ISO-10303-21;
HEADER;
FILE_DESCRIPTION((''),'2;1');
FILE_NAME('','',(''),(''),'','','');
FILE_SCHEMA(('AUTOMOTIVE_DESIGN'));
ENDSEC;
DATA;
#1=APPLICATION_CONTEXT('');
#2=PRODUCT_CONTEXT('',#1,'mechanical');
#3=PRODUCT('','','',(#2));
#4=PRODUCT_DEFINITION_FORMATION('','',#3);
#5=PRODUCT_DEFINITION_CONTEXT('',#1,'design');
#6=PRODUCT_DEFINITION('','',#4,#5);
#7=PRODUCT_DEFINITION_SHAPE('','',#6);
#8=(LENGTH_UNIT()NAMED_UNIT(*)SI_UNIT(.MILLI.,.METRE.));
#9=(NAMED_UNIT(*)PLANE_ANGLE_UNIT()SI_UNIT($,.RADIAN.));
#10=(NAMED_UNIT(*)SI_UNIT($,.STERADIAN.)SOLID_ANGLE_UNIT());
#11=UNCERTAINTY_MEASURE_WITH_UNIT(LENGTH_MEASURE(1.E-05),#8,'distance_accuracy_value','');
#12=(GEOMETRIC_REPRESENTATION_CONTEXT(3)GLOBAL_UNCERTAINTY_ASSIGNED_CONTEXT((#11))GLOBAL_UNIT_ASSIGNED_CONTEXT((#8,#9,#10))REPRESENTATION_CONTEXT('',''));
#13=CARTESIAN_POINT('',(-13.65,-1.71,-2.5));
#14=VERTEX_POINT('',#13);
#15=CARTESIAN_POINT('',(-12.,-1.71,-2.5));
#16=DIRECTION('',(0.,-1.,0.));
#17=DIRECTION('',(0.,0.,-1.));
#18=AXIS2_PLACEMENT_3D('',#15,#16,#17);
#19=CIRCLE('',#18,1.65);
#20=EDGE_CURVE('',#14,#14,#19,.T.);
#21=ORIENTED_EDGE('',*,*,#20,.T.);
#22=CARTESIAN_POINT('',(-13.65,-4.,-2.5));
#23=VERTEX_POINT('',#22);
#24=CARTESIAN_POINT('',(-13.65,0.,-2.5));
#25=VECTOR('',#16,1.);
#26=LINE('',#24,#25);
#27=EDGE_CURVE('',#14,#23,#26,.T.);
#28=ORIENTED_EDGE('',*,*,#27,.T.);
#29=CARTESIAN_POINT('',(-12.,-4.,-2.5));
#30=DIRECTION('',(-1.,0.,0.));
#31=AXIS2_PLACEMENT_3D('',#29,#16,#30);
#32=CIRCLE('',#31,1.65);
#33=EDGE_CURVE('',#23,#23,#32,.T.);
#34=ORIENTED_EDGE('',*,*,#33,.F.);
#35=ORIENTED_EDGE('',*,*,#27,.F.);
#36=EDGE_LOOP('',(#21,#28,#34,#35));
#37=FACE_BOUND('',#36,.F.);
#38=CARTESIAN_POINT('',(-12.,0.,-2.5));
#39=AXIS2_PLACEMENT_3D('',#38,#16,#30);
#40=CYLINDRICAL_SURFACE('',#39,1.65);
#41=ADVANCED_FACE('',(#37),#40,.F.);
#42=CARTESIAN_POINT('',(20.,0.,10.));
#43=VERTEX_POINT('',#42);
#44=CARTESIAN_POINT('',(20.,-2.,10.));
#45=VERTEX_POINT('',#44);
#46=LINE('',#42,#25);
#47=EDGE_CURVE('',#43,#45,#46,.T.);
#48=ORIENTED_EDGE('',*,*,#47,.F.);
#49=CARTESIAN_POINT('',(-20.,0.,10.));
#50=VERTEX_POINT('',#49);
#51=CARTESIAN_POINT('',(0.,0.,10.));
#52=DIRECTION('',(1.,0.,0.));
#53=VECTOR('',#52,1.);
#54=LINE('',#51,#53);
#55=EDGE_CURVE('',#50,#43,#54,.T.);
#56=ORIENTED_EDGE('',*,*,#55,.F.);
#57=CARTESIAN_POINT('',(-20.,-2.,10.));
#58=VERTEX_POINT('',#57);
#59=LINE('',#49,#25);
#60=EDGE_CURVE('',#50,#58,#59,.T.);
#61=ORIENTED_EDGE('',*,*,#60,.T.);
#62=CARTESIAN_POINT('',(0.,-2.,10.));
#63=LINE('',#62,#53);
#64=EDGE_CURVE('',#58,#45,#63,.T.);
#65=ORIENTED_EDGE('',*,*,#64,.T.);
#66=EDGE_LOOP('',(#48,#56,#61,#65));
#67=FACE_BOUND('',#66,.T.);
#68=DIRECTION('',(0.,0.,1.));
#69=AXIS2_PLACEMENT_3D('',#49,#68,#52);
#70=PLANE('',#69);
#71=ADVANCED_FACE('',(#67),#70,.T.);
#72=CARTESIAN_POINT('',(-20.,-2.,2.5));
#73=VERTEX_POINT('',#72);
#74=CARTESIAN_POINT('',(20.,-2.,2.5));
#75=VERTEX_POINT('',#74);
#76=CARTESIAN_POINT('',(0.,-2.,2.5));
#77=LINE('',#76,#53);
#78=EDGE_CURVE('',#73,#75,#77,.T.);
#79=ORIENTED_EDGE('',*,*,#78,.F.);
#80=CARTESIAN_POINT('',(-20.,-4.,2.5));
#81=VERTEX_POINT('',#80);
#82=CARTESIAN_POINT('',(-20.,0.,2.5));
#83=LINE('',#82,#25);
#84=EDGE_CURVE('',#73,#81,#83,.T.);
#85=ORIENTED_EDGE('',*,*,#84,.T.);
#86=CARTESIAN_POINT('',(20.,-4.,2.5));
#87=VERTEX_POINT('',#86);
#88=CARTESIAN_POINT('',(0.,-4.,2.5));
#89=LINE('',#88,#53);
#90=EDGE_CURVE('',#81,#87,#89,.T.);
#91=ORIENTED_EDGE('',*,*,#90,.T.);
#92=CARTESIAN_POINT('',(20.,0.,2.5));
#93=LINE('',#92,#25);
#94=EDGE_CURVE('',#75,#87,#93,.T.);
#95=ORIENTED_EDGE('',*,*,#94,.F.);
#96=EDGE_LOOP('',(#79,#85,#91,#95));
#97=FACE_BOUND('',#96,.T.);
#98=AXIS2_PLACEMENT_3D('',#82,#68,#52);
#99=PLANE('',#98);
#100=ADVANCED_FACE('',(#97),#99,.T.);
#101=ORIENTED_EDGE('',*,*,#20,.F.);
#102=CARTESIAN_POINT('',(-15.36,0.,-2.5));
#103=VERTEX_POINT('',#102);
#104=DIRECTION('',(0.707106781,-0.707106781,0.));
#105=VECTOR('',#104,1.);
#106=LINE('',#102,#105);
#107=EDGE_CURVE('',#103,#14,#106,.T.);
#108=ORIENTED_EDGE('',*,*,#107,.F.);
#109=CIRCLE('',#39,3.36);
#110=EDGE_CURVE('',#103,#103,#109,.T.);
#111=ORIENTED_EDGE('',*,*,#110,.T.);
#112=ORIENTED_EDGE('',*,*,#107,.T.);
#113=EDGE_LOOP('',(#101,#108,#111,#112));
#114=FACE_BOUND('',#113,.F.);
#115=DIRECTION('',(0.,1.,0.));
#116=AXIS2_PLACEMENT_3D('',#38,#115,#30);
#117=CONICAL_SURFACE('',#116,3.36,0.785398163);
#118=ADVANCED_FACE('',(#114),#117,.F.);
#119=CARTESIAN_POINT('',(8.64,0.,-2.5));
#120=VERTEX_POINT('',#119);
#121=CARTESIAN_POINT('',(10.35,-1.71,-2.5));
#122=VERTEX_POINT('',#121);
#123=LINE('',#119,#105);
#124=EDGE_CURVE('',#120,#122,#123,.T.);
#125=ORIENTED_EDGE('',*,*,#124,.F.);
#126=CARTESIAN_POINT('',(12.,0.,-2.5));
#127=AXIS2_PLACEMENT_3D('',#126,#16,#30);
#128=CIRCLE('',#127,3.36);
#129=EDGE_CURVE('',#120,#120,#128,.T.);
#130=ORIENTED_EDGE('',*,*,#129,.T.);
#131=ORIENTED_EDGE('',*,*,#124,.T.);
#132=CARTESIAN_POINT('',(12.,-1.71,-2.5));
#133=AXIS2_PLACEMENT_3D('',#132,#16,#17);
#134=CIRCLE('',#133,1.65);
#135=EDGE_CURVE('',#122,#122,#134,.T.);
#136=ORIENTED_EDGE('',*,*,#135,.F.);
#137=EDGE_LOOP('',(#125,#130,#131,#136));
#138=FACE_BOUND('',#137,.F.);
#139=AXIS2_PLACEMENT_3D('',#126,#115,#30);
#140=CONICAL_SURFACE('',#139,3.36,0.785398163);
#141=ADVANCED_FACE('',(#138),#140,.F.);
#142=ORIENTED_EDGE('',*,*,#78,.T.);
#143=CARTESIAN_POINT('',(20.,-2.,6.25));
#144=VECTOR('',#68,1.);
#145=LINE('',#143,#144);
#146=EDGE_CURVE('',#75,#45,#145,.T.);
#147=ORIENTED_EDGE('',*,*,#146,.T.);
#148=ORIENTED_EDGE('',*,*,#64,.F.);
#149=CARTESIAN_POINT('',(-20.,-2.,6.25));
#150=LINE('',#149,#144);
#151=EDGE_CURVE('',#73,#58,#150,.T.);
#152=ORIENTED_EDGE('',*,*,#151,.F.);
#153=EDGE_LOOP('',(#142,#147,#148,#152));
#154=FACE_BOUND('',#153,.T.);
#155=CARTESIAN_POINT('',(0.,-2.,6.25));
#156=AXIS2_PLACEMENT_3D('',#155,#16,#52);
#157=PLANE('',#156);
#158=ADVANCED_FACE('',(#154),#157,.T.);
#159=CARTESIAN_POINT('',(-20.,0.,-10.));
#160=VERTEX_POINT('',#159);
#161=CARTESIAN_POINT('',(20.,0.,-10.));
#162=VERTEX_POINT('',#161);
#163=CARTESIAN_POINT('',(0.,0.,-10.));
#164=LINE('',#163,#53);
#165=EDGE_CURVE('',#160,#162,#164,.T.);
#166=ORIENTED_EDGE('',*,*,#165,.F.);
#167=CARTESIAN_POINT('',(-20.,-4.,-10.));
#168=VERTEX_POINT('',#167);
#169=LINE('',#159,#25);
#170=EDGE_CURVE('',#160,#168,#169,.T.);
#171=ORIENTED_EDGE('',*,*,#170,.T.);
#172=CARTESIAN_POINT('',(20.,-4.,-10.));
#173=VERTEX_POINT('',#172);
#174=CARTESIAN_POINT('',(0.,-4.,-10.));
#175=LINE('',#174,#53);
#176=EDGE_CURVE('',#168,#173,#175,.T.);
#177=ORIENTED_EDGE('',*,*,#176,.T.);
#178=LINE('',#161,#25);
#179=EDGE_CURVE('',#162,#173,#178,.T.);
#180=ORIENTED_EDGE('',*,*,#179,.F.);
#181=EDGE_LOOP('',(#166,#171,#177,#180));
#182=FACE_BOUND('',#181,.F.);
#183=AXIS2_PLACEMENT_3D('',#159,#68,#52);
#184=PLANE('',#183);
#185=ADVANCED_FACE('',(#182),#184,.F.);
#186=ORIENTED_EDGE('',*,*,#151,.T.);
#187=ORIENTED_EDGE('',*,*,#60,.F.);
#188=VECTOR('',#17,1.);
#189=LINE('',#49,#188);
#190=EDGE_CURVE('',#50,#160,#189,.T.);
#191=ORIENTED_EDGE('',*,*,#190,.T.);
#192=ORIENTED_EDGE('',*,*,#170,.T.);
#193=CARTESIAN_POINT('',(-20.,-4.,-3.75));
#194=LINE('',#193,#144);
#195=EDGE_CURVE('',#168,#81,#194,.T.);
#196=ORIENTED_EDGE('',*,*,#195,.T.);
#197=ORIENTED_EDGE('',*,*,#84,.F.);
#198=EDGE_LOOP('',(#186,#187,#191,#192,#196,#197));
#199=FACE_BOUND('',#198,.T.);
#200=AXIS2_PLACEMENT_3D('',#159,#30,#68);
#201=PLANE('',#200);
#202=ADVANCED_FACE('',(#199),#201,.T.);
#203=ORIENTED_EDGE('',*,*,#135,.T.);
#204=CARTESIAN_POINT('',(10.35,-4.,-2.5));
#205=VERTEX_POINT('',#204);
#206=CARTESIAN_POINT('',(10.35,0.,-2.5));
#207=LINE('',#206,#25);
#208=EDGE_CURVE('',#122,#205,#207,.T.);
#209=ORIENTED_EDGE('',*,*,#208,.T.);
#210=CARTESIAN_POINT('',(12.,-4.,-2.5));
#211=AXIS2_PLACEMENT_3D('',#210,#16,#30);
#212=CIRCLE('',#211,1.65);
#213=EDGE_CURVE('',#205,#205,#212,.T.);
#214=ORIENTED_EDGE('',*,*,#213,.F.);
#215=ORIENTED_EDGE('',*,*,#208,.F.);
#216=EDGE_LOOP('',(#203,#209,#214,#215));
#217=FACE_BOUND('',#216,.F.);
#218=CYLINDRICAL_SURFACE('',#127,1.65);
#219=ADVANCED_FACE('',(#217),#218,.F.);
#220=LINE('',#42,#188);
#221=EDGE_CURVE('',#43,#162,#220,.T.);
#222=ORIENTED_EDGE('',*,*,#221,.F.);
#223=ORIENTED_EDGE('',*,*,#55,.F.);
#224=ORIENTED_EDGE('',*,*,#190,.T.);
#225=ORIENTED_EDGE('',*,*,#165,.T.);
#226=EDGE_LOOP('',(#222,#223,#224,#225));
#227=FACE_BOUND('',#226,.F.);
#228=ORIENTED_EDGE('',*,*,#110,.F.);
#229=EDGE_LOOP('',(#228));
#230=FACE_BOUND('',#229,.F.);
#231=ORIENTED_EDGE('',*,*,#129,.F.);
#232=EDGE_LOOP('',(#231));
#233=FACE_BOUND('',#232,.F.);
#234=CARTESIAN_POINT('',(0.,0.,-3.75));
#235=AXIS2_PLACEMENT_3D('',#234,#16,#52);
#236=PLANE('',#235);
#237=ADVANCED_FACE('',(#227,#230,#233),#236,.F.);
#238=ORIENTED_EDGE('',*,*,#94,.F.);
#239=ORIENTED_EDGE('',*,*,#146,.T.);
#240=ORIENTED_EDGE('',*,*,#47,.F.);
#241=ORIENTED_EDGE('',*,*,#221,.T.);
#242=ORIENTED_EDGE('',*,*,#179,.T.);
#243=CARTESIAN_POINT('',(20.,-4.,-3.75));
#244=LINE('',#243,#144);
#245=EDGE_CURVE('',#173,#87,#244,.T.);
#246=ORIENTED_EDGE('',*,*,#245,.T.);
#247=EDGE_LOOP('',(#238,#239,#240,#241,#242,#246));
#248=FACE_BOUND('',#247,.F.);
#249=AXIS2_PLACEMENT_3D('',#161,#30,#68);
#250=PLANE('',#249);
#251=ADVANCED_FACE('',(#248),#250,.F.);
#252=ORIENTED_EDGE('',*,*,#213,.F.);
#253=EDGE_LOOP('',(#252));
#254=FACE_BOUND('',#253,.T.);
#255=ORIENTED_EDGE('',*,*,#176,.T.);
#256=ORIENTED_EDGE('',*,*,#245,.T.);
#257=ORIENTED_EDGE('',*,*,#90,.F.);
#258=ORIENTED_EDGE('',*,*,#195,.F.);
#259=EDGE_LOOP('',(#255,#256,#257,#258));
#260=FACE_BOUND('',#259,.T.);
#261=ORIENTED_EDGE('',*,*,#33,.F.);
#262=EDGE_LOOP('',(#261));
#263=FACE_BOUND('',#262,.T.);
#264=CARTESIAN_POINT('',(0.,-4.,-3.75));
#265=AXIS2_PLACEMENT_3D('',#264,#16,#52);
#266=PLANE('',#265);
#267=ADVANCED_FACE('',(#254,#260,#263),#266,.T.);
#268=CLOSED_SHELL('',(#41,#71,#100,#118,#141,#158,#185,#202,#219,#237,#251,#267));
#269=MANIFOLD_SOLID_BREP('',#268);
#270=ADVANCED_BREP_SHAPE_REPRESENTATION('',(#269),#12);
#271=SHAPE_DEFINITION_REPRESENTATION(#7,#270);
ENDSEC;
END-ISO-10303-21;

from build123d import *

# Parameters (mm, degrees)
F0_W           = 40
F0_H           = 7.5
F1_DEPTH       = 2
F0_H_2         = 12.5
F2_DEPTH       = 4
F3_D           = 3.3
F3_CSINK_D     = 6.72
F3_CSINK_ANGLE = 90


with BuildPart() as f1:
    # F0 (on Front) → F1 (new body)
    with BuildSketch(Plane.XZ):
        with Locations((0, 6.25)):
            Rectangle(F0_W, F0_H)
    extrude(amount=F1_DEPTH)

    # F0 (on Front) → F2 (join)
    with BuildSketch(Plane.XZ):
        with Locations((0, -3.75)):
            Rectangle(F0_W, F0_H_2)
    extrude(amount=F2_DEPTH)

    # F3 (through all)
    with Locations(Plane(origin=(0, 0, 0), x_dir=(1, 0, 0), z_dir=(0, 1, 0))):
        with Locations((-12, 2.5), (12, 2.5)):
            CounterSinkHole(F3_D / 2, F3_CSINK_D / 2, counter_sink_angle=F3_CSINK_ANGLE)


solid = f1.part
